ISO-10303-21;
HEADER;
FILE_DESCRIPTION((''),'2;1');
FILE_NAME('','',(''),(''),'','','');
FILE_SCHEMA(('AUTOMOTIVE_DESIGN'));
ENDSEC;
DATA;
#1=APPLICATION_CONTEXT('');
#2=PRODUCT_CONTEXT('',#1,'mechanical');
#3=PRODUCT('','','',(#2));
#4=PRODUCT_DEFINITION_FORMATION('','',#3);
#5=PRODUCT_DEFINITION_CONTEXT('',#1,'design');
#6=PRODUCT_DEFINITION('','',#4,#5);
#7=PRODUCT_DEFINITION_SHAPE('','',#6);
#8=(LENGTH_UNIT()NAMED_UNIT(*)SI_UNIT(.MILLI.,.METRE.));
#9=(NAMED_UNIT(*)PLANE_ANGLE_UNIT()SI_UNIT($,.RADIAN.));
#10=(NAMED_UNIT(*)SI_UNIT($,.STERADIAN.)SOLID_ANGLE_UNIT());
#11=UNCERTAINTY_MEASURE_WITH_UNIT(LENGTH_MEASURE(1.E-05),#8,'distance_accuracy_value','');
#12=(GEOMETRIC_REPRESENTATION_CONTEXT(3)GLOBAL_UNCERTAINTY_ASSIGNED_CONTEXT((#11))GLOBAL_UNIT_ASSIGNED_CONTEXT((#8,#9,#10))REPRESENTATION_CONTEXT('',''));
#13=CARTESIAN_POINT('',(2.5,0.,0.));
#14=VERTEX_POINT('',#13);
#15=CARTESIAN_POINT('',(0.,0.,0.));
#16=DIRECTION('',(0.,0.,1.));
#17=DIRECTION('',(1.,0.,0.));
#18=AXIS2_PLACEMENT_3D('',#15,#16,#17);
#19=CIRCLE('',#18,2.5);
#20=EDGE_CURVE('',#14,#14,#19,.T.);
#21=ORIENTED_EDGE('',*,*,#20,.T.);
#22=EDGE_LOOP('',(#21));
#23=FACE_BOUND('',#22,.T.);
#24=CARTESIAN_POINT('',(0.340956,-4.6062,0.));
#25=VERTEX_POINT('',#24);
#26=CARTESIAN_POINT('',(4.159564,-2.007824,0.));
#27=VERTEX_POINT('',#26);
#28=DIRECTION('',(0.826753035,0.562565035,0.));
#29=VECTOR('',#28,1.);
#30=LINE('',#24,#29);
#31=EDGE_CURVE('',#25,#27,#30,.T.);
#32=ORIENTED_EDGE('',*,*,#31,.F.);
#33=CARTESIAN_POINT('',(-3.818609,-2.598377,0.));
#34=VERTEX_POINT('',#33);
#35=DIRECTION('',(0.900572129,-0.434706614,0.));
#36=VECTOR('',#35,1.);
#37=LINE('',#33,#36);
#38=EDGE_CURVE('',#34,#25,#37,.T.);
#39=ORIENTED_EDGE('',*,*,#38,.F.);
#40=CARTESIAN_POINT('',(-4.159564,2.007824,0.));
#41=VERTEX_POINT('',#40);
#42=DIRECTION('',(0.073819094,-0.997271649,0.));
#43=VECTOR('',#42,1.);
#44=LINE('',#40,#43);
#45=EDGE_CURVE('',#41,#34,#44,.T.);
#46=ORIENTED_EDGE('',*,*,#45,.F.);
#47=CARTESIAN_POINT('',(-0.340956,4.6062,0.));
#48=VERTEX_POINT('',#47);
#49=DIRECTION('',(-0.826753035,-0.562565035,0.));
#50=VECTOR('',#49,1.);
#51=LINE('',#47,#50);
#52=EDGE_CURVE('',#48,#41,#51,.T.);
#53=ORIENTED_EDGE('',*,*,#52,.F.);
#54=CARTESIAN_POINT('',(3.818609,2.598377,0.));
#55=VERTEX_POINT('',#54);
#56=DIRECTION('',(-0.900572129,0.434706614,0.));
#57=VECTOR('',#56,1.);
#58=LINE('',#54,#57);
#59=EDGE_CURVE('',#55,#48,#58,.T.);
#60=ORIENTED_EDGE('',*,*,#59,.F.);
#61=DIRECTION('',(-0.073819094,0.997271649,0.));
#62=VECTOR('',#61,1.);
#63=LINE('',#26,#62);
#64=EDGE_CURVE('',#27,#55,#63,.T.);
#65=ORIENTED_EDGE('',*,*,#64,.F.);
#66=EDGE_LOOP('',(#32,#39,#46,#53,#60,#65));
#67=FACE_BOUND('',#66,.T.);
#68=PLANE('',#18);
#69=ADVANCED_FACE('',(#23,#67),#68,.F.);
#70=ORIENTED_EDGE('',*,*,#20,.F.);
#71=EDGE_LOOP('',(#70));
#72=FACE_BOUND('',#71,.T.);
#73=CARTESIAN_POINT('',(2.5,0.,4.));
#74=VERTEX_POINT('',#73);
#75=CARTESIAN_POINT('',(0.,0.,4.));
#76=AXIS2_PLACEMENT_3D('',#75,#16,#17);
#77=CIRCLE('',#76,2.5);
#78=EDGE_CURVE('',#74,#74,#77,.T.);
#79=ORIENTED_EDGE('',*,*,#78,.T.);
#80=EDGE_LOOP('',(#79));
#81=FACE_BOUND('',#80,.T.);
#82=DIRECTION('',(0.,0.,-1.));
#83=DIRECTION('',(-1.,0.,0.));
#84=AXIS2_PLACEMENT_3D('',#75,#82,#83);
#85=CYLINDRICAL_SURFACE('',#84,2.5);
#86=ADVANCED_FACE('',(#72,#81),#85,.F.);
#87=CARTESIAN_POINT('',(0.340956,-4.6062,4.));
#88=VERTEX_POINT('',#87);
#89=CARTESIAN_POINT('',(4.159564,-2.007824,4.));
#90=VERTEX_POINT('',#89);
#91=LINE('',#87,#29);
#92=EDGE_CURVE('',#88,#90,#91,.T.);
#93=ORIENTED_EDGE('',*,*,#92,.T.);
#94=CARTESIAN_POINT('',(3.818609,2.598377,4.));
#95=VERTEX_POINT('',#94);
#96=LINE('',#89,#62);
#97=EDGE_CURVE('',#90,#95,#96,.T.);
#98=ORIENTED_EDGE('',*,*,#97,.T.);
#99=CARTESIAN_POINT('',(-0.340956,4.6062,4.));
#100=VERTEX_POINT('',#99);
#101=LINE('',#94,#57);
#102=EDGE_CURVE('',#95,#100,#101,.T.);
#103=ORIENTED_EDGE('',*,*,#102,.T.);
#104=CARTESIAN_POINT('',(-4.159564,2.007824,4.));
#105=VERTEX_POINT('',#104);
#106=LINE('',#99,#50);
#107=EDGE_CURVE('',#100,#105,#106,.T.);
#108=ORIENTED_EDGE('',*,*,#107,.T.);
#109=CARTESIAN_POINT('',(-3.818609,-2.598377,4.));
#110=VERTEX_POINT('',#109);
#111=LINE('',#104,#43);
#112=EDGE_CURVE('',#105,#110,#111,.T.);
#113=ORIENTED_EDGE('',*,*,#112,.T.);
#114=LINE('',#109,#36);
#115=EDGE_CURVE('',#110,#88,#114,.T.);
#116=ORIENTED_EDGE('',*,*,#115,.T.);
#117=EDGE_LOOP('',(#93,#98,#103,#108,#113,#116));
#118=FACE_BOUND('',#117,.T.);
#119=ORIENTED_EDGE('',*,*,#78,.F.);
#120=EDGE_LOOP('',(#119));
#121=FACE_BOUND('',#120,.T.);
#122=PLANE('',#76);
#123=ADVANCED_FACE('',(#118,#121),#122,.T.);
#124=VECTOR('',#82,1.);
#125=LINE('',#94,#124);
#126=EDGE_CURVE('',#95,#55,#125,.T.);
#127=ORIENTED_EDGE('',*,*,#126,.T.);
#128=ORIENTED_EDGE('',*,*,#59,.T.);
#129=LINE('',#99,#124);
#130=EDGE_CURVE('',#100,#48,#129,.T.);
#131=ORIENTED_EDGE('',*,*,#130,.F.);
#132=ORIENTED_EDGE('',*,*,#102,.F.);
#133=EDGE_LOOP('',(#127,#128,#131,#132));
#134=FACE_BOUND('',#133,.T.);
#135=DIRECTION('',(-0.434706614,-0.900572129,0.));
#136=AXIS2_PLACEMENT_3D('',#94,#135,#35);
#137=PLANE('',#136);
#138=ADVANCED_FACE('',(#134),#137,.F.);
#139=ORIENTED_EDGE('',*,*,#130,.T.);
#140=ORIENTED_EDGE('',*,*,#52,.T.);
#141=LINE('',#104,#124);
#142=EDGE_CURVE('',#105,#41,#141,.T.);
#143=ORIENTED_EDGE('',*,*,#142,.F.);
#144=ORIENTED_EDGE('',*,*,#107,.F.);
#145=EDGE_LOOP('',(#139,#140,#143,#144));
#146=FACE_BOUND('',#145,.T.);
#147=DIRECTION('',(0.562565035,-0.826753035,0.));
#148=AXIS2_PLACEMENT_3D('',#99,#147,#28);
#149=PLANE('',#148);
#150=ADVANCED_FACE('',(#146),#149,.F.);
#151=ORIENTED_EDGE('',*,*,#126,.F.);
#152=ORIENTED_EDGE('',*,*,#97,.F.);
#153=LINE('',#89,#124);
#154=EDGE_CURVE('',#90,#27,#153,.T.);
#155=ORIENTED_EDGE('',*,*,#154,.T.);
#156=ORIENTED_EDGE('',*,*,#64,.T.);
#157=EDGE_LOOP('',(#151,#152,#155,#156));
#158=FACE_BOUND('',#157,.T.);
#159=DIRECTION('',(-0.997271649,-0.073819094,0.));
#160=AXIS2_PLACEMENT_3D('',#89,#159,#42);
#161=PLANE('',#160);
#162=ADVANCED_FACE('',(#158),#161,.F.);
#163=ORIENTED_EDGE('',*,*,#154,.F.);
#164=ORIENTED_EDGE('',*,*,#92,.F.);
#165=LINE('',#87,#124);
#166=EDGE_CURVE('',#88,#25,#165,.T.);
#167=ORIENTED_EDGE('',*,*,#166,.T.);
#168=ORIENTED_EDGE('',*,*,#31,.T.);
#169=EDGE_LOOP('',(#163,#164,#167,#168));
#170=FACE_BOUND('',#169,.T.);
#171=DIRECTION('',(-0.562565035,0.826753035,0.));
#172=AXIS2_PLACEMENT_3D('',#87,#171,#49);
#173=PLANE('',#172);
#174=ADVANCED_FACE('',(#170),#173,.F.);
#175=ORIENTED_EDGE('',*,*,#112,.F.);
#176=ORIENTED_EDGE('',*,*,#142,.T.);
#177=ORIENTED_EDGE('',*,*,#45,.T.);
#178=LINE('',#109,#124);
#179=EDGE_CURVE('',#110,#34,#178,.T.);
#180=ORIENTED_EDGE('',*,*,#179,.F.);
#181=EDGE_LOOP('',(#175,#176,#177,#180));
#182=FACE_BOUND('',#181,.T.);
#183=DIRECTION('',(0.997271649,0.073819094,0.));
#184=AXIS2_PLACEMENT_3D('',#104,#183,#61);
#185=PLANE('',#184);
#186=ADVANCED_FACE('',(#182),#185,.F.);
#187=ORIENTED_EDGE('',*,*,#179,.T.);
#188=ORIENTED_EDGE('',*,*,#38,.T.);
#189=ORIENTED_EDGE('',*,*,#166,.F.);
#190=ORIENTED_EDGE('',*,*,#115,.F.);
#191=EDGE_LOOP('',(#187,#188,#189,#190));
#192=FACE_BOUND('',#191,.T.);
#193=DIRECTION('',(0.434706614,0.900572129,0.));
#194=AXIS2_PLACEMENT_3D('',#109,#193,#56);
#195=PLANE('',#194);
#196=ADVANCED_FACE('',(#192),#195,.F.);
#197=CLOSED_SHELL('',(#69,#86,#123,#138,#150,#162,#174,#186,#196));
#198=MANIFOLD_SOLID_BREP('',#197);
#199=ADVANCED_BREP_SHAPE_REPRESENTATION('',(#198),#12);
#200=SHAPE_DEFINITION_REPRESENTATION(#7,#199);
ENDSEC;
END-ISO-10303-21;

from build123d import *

# Parameters (mm, degrees)
SKETCH_1_R      = 2.5
EXTRUDE_1_DEPTH = 4


with BuildPart() as part:
    # ｽｹｯﾁ1 → ﾎﾞｽ - 押し出し1 (new body)
    with BuildSketch(Plane.XY):
        Polygon((-3.818608699, -2.598376596), (0.340955791, -4.606200439), (4.15956449, -2.007823843), (3.818608699, 2.598376596), (-0.340955791, 4.606200439), (-4.15956449, 2.007823843), align=None)
        Circle(SKETCH_1_R, mode=Mode.SUBTRACT)
    extrude(amount=EXTRUDE_1_DEPTH)


solid = part.part
